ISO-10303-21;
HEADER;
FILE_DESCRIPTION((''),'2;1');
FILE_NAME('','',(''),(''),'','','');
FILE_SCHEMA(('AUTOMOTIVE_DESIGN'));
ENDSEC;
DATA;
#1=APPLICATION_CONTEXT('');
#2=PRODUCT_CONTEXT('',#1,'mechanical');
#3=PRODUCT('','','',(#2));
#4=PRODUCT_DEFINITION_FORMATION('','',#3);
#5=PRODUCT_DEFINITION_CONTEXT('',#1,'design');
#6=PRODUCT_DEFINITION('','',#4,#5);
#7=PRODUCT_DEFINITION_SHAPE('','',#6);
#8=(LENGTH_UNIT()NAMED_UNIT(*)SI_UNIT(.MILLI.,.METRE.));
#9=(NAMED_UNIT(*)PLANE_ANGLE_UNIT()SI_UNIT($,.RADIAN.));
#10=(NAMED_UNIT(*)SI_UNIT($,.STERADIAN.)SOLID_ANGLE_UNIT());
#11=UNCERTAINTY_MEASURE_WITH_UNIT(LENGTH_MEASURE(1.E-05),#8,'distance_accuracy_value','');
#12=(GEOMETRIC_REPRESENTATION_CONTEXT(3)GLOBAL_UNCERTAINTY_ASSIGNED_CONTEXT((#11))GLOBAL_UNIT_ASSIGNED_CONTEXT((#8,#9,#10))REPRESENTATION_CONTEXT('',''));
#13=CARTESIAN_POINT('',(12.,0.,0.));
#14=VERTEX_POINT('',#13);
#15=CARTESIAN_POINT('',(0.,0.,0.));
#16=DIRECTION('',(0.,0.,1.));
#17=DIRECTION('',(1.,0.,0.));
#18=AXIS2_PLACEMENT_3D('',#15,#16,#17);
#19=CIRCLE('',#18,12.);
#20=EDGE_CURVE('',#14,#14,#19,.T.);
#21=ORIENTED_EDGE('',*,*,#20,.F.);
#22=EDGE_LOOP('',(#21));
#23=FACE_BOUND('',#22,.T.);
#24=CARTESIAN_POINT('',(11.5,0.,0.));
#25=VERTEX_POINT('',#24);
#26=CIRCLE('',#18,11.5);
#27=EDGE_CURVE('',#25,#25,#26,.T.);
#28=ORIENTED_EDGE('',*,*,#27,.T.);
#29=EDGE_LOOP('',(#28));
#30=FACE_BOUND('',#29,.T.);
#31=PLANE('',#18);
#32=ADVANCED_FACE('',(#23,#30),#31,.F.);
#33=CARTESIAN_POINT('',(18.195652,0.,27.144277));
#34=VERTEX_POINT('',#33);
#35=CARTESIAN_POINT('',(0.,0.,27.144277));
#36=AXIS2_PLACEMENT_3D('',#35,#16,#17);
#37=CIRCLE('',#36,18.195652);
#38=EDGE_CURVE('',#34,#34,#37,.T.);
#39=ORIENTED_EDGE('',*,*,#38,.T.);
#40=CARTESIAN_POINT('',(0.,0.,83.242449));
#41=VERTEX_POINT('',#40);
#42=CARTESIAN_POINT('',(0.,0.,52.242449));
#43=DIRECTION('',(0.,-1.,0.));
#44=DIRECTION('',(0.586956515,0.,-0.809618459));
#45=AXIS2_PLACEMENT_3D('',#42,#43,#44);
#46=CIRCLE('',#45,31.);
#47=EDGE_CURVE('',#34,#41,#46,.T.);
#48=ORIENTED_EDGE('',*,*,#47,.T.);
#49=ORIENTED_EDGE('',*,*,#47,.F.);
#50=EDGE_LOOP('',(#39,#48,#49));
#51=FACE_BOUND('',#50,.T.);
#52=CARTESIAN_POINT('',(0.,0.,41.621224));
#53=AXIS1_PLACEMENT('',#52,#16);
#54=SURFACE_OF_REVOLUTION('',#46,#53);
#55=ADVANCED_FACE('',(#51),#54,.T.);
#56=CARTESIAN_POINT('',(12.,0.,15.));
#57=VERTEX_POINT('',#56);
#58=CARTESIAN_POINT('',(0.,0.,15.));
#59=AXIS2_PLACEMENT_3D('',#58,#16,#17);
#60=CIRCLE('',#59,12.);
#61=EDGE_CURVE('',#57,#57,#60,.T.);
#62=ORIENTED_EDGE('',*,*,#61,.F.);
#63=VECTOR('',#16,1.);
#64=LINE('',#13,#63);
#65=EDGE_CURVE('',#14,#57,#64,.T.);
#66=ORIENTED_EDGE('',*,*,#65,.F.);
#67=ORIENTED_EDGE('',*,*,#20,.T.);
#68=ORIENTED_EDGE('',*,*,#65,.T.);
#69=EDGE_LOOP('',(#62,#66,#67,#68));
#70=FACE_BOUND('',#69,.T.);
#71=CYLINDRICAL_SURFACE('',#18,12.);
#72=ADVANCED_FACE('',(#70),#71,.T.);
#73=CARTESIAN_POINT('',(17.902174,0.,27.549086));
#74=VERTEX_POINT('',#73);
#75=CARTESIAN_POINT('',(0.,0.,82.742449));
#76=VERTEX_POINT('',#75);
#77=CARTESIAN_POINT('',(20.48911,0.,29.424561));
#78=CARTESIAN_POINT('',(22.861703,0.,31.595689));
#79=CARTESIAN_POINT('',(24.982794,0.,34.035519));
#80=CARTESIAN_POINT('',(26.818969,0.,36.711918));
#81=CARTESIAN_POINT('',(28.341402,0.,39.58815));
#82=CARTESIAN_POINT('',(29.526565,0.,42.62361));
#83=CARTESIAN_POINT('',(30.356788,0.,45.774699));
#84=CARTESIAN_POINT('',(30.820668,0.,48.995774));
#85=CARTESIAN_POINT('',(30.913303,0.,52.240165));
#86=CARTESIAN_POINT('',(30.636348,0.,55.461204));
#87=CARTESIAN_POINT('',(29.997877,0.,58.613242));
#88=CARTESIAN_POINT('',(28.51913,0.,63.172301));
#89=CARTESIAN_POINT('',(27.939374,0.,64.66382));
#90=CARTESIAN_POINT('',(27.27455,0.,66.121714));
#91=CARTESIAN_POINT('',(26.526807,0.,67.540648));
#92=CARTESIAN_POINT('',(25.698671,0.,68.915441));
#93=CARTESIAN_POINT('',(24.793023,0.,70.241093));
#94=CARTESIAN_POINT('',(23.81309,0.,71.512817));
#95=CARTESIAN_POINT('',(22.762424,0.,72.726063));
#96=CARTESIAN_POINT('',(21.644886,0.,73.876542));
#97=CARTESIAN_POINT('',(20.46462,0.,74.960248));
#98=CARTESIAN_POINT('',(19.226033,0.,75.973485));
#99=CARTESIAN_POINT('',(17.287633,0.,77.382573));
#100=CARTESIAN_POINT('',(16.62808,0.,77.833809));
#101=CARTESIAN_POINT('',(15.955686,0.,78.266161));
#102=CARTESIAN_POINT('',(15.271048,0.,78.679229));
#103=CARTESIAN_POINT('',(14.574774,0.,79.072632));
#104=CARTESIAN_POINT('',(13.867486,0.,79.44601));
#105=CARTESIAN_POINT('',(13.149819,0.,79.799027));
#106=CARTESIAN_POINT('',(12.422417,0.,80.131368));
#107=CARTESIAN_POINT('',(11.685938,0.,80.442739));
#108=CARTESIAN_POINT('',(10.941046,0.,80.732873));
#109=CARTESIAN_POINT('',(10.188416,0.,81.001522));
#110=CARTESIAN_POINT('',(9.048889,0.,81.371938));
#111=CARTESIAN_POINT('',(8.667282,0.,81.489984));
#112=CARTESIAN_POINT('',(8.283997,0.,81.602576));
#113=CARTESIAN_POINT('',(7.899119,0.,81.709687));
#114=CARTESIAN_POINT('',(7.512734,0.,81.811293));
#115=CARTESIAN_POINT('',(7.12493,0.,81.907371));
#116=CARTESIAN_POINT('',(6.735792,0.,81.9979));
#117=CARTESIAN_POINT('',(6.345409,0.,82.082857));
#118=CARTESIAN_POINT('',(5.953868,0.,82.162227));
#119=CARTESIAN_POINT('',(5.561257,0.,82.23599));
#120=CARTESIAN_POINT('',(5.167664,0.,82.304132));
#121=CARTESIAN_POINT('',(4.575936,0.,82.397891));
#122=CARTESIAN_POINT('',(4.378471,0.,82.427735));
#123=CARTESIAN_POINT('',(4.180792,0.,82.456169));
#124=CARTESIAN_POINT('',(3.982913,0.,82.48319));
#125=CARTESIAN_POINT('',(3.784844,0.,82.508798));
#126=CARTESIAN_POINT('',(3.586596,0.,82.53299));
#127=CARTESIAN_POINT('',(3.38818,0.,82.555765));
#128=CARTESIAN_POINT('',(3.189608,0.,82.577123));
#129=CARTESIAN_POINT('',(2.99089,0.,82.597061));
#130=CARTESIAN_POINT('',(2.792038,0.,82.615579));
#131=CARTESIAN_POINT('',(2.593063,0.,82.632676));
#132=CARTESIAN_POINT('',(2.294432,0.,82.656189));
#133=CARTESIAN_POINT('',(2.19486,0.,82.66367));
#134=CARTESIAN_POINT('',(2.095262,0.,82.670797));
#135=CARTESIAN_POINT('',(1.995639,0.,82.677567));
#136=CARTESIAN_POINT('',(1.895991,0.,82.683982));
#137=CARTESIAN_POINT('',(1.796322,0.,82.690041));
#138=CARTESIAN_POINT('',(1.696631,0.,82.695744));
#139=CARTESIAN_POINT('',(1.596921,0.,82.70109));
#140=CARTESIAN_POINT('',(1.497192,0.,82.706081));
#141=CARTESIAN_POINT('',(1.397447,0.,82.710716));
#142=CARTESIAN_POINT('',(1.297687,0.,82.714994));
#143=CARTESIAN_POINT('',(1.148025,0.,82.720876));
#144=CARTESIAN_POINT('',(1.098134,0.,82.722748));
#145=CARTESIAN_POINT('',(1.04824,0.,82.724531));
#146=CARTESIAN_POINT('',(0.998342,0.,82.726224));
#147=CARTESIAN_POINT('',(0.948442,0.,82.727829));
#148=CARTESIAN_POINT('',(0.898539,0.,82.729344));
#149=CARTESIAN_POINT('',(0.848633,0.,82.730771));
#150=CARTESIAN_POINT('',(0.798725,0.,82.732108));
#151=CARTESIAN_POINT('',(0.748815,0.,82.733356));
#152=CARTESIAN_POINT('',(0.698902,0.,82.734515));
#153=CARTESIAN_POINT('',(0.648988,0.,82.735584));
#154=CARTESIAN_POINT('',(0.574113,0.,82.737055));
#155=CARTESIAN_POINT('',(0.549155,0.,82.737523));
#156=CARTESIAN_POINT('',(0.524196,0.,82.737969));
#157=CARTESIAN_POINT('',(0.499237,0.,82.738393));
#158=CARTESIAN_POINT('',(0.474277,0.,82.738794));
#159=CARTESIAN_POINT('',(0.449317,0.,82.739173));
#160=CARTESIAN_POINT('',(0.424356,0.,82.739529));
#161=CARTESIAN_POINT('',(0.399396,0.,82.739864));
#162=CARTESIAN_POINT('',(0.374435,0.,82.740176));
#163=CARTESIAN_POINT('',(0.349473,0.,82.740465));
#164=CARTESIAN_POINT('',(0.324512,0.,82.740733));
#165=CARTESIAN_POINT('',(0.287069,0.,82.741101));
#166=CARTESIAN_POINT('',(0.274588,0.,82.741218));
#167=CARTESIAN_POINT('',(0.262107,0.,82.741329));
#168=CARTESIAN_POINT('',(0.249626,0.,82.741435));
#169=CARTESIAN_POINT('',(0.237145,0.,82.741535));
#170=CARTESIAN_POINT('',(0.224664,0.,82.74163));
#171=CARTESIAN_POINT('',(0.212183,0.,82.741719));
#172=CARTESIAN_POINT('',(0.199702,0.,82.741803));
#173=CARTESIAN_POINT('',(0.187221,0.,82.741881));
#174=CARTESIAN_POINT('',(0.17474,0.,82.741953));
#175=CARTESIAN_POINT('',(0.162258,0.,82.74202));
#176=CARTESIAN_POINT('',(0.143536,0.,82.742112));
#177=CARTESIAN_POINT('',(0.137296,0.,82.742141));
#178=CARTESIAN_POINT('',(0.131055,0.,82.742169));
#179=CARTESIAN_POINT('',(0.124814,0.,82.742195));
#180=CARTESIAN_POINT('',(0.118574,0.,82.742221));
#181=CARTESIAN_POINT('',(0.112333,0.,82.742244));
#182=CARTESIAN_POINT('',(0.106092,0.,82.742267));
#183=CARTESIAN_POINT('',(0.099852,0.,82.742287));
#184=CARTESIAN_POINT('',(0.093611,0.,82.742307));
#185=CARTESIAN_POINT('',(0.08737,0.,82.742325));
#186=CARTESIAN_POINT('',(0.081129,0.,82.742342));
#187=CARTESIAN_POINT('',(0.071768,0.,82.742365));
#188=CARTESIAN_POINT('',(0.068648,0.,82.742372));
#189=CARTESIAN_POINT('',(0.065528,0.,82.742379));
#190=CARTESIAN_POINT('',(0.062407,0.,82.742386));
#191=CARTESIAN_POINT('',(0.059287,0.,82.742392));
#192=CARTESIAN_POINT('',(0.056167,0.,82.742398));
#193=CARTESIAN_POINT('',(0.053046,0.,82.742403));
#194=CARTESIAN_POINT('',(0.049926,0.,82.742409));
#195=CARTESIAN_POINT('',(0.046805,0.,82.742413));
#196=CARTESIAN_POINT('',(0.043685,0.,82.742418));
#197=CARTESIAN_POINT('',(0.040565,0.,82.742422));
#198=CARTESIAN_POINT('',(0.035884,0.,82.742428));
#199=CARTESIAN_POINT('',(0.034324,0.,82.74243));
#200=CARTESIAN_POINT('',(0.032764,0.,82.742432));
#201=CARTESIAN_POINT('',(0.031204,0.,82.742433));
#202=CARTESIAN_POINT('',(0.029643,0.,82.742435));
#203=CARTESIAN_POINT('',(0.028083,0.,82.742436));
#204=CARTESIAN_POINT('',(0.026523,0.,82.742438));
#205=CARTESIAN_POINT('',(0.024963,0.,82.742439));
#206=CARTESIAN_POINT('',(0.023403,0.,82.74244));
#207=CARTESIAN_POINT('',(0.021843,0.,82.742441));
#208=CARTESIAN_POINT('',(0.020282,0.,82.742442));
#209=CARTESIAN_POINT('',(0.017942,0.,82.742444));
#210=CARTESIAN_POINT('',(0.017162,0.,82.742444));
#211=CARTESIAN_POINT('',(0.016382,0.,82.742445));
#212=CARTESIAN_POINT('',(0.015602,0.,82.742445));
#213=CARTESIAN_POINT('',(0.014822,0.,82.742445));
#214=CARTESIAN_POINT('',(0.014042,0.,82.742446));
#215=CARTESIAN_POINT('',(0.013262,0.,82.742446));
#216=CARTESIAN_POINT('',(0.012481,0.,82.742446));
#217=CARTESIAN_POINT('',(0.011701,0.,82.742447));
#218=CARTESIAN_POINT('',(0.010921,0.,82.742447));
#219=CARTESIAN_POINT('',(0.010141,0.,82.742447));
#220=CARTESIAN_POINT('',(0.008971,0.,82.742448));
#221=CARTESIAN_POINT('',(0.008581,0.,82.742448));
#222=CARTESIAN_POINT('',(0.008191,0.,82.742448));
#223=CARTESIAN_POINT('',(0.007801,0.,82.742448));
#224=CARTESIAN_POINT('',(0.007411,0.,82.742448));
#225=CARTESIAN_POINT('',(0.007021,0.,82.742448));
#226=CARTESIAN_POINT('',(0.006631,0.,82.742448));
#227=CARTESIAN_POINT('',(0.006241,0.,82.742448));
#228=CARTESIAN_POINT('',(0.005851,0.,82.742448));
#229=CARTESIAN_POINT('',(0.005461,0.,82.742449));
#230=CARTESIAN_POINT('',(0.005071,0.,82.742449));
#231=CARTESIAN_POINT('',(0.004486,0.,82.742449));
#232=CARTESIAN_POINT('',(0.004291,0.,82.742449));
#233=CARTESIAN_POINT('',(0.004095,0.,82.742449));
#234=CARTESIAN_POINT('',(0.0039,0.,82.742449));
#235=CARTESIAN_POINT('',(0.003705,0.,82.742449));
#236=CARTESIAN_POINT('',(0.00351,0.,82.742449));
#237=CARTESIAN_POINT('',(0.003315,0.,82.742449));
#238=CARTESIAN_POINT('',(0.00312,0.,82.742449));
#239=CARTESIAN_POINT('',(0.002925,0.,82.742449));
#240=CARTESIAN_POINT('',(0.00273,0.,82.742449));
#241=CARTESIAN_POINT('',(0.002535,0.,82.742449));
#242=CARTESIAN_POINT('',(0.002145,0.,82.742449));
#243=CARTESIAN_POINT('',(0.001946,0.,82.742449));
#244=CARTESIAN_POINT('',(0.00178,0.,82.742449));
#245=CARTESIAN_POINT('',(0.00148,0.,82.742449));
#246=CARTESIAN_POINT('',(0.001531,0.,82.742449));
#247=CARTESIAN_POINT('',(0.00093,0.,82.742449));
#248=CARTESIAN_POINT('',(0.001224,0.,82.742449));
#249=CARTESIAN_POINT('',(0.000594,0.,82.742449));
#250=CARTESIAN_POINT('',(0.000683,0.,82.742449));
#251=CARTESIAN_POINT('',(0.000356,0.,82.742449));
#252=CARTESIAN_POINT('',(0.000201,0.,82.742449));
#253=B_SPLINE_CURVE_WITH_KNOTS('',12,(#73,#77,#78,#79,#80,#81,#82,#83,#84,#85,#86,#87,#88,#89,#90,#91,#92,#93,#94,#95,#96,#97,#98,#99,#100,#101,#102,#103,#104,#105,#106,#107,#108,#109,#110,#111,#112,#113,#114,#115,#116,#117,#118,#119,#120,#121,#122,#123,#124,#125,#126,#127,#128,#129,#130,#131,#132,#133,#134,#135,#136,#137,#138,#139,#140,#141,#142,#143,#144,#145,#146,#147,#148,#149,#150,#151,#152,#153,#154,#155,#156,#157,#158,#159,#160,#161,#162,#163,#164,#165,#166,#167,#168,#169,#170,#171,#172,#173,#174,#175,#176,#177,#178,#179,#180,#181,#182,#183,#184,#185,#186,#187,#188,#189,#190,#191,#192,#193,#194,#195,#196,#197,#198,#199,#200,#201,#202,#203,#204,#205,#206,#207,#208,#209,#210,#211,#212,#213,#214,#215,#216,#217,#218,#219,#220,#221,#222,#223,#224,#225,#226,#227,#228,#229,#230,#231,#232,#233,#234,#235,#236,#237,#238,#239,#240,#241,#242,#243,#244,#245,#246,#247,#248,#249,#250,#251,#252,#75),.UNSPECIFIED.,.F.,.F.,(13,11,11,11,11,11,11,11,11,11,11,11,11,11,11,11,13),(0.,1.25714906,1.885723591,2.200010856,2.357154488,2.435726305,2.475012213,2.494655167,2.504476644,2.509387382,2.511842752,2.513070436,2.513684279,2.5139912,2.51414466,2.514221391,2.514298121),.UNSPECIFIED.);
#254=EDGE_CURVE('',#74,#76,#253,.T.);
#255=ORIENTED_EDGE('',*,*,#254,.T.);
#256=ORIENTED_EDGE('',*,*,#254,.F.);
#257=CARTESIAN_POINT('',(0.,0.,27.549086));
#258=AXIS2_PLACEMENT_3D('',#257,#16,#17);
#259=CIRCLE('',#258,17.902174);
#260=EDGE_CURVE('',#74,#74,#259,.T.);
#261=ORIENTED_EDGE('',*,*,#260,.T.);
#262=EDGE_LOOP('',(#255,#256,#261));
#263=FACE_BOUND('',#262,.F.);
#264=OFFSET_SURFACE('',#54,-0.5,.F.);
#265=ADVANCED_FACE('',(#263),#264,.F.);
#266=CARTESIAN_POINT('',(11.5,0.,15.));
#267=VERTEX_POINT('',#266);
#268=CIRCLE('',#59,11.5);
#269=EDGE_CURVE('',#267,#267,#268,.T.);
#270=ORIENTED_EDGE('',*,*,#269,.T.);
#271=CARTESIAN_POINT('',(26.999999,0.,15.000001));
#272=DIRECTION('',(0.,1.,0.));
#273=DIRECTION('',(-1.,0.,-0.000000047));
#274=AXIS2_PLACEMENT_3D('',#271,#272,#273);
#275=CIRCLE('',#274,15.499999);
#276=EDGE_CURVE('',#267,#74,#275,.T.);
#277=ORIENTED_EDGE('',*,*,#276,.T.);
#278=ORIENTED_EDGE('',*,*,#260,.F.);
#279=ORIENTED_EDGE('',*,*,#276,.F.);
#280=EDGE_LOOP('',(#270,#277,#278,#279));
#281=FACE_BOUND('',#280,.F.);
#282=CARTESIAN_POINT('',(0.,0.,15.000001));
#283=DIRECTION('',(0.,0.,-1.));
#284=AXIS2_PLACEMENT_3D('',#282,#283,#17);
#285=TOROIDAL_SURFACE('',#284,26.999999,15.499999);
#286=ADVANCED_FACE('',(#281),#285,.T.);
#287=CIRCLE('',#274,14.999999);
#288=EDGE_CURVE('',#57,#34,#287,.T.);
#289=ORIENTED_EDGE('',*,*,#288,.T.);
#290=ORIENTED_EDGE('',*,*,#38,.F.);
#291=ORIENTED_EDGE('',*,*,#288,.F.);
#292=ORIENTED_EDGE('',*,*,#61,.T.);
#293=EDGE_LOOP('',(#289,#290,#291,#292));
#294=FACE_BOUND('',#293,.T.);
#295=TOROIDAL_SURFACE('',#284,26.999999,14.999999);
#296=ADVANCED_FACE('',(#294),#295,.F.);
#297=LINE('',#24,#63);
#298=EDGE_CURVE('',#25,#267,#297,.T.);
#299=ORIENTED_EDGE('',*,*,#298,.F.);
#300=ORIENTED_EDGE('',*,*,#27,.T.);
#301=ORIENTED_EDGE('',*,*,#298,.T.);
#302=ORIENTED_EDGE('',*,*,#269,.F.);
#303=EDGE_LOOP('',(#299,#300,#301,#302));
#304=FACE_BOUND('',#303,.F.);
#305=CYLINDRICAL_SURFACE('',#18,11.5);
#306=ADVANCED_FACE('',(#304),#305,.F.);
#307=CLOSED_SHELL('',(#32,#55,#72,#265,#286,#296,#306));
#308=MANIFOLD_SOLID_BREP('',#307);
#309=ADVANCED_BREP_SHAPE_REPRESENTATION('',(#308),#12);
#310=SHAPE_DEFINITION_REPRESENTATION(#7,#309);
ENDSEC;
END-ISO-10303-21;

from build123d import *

# Parameters (mm, degrees)
F2_T = -0.5


with BuildPart() as f1:
    # F0 (on Front) → F1 (revolve)
    with BuildSketch(Plane.XZ):
        with BuildLine():
            ThreePointArc((12, 15), (13.63839, 21.816699), (18.195652, 27.144277))
            ThreePointArc((18.195652, 27.144277), (29.487653, 61.806879), (0, 83.242449))
            Line((0, 83.242449), (0, 0))
            Line((0, 0), (12, 0))
            Line((12, 0), (12, 15))
        make_face()
    revolve(axis=Axis((0, 0, 41.621224), (0, 0, 1)))

    # F2
    f2_openings = [f1.faces().sort_by_distance(p)[0] for p in [
        (0, 0, 0),
    ]]
    offset(amount=F2_T, openings=f2_openings)


solid = f1.part
